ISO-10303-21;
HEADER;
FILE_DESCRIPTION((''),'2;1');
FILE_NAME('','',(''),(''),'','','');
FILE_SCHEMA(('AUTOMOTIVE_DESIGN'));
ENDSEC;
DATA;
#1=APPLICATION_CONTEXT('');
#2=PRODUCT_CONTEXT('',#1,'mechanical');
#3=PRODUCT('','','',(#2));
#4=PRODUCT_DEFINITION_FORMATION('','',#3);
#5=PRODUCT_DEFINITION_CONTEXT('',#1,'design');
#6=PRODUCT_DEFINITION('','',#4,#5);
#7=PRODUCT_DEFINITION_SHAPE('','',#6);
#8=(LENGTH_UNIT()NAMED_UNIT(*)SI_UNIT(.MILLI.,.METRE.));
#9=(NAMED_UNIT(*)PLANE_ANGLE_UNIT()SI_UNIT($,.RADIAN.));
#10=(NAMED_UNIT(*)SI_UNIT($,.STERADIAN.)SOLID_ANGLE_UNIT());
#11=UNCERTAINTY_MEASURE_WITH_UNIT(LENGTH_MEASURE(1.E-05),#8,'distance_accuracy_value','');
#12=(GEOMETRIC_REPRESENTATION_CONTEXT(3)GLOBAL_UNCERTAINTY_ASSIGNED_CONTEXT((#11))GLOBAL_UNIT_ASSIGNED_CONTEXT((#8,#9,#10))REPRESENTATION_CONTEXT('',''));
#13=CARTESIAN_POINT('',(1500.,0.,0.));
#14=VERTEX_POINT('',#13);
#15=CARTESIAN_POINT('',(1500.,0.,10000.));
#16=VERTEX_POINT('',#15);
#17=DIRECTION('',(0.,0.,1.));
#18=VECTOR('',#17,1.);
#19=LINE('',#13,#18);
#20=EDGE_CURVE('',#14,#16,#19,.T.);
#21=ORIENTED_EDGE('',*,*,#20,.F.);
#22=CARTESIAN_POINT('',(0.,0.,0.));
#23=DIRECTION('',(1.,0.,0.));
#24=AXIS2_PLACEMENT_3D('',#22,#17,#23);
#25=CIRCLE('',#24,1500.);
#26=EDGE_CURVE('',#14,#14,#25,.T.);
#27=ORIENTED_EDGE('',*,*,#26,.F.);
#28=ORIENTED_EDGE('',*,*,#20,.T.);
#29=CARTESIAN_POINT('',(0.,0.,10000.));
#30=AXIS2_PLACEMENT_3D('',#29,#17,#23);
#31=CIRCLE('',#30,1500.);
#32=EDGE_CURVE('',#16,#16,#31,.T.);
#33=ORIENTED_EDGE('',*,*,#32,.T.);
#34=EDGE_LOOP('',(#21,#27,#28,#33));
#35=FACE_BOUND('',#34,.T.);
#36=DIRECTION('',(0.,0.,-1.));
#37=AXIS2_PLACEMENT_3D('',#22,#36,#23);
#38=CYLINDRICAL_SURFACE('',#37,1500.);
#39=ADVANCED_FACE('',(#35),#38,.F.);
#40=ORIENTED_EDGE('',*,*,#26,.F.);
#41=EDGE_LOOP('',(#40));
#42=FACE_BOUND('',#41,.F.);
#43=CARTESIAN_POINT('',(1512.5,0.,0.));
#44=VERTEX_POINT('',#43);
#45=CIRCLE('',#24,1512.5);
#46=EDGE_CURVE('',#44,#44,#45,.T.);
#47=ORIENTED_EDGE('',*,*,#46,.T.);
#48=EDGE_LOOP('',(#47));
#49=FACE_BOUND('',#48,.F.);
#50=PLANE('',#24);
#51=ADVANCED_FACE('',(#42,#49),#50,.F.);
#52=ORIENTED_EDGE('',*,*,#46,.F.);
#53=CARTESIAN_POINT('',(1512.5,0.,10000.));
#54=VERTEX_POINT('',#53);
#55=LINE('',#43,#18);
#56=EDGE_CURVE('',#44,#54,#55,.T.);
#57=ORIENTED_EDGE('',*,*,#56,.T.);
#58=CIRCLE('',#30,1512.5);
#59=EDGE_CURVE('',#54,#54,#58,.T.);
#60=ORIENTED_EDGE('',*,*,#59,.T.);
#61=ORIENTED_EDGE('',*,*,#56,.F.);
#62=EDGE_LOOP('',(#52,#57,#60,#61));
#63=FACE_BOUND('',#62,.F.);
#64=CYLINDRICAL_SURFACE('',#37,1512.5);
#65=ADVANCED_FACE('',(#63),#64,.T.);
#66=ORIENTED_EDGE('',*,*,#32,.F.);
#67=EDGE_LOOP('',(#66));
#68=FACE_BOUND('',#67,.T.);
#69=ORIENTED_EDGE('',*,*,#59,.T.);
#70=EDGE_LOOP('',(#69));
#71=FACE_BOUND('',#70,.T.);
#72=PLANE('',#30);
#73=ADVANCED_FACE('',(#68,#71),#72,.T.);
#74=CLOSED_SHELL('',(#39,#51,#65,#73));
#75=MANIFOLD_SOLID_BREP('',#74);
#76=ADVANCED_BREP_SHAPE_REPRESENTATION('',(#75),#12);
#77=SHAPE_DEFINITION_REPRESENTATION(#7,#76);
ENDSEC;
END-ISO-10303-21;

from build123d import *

# Parameters (mm, degrees)
SKETCH_R   = 1512.5
SKETCH_R_2 = 1500
PAD_DEPTH  = 10000


with BuildPart() as part:
    # Sketch → Pad (new body)
    with BuildSketch(Plane.XY):
        Circle(SKETCH_R)
        Circle(SKETCH_R_2, mode=Mode.SUBTRACT)
    extrude(amount=PAD_DEPTH)


solid = part.part
